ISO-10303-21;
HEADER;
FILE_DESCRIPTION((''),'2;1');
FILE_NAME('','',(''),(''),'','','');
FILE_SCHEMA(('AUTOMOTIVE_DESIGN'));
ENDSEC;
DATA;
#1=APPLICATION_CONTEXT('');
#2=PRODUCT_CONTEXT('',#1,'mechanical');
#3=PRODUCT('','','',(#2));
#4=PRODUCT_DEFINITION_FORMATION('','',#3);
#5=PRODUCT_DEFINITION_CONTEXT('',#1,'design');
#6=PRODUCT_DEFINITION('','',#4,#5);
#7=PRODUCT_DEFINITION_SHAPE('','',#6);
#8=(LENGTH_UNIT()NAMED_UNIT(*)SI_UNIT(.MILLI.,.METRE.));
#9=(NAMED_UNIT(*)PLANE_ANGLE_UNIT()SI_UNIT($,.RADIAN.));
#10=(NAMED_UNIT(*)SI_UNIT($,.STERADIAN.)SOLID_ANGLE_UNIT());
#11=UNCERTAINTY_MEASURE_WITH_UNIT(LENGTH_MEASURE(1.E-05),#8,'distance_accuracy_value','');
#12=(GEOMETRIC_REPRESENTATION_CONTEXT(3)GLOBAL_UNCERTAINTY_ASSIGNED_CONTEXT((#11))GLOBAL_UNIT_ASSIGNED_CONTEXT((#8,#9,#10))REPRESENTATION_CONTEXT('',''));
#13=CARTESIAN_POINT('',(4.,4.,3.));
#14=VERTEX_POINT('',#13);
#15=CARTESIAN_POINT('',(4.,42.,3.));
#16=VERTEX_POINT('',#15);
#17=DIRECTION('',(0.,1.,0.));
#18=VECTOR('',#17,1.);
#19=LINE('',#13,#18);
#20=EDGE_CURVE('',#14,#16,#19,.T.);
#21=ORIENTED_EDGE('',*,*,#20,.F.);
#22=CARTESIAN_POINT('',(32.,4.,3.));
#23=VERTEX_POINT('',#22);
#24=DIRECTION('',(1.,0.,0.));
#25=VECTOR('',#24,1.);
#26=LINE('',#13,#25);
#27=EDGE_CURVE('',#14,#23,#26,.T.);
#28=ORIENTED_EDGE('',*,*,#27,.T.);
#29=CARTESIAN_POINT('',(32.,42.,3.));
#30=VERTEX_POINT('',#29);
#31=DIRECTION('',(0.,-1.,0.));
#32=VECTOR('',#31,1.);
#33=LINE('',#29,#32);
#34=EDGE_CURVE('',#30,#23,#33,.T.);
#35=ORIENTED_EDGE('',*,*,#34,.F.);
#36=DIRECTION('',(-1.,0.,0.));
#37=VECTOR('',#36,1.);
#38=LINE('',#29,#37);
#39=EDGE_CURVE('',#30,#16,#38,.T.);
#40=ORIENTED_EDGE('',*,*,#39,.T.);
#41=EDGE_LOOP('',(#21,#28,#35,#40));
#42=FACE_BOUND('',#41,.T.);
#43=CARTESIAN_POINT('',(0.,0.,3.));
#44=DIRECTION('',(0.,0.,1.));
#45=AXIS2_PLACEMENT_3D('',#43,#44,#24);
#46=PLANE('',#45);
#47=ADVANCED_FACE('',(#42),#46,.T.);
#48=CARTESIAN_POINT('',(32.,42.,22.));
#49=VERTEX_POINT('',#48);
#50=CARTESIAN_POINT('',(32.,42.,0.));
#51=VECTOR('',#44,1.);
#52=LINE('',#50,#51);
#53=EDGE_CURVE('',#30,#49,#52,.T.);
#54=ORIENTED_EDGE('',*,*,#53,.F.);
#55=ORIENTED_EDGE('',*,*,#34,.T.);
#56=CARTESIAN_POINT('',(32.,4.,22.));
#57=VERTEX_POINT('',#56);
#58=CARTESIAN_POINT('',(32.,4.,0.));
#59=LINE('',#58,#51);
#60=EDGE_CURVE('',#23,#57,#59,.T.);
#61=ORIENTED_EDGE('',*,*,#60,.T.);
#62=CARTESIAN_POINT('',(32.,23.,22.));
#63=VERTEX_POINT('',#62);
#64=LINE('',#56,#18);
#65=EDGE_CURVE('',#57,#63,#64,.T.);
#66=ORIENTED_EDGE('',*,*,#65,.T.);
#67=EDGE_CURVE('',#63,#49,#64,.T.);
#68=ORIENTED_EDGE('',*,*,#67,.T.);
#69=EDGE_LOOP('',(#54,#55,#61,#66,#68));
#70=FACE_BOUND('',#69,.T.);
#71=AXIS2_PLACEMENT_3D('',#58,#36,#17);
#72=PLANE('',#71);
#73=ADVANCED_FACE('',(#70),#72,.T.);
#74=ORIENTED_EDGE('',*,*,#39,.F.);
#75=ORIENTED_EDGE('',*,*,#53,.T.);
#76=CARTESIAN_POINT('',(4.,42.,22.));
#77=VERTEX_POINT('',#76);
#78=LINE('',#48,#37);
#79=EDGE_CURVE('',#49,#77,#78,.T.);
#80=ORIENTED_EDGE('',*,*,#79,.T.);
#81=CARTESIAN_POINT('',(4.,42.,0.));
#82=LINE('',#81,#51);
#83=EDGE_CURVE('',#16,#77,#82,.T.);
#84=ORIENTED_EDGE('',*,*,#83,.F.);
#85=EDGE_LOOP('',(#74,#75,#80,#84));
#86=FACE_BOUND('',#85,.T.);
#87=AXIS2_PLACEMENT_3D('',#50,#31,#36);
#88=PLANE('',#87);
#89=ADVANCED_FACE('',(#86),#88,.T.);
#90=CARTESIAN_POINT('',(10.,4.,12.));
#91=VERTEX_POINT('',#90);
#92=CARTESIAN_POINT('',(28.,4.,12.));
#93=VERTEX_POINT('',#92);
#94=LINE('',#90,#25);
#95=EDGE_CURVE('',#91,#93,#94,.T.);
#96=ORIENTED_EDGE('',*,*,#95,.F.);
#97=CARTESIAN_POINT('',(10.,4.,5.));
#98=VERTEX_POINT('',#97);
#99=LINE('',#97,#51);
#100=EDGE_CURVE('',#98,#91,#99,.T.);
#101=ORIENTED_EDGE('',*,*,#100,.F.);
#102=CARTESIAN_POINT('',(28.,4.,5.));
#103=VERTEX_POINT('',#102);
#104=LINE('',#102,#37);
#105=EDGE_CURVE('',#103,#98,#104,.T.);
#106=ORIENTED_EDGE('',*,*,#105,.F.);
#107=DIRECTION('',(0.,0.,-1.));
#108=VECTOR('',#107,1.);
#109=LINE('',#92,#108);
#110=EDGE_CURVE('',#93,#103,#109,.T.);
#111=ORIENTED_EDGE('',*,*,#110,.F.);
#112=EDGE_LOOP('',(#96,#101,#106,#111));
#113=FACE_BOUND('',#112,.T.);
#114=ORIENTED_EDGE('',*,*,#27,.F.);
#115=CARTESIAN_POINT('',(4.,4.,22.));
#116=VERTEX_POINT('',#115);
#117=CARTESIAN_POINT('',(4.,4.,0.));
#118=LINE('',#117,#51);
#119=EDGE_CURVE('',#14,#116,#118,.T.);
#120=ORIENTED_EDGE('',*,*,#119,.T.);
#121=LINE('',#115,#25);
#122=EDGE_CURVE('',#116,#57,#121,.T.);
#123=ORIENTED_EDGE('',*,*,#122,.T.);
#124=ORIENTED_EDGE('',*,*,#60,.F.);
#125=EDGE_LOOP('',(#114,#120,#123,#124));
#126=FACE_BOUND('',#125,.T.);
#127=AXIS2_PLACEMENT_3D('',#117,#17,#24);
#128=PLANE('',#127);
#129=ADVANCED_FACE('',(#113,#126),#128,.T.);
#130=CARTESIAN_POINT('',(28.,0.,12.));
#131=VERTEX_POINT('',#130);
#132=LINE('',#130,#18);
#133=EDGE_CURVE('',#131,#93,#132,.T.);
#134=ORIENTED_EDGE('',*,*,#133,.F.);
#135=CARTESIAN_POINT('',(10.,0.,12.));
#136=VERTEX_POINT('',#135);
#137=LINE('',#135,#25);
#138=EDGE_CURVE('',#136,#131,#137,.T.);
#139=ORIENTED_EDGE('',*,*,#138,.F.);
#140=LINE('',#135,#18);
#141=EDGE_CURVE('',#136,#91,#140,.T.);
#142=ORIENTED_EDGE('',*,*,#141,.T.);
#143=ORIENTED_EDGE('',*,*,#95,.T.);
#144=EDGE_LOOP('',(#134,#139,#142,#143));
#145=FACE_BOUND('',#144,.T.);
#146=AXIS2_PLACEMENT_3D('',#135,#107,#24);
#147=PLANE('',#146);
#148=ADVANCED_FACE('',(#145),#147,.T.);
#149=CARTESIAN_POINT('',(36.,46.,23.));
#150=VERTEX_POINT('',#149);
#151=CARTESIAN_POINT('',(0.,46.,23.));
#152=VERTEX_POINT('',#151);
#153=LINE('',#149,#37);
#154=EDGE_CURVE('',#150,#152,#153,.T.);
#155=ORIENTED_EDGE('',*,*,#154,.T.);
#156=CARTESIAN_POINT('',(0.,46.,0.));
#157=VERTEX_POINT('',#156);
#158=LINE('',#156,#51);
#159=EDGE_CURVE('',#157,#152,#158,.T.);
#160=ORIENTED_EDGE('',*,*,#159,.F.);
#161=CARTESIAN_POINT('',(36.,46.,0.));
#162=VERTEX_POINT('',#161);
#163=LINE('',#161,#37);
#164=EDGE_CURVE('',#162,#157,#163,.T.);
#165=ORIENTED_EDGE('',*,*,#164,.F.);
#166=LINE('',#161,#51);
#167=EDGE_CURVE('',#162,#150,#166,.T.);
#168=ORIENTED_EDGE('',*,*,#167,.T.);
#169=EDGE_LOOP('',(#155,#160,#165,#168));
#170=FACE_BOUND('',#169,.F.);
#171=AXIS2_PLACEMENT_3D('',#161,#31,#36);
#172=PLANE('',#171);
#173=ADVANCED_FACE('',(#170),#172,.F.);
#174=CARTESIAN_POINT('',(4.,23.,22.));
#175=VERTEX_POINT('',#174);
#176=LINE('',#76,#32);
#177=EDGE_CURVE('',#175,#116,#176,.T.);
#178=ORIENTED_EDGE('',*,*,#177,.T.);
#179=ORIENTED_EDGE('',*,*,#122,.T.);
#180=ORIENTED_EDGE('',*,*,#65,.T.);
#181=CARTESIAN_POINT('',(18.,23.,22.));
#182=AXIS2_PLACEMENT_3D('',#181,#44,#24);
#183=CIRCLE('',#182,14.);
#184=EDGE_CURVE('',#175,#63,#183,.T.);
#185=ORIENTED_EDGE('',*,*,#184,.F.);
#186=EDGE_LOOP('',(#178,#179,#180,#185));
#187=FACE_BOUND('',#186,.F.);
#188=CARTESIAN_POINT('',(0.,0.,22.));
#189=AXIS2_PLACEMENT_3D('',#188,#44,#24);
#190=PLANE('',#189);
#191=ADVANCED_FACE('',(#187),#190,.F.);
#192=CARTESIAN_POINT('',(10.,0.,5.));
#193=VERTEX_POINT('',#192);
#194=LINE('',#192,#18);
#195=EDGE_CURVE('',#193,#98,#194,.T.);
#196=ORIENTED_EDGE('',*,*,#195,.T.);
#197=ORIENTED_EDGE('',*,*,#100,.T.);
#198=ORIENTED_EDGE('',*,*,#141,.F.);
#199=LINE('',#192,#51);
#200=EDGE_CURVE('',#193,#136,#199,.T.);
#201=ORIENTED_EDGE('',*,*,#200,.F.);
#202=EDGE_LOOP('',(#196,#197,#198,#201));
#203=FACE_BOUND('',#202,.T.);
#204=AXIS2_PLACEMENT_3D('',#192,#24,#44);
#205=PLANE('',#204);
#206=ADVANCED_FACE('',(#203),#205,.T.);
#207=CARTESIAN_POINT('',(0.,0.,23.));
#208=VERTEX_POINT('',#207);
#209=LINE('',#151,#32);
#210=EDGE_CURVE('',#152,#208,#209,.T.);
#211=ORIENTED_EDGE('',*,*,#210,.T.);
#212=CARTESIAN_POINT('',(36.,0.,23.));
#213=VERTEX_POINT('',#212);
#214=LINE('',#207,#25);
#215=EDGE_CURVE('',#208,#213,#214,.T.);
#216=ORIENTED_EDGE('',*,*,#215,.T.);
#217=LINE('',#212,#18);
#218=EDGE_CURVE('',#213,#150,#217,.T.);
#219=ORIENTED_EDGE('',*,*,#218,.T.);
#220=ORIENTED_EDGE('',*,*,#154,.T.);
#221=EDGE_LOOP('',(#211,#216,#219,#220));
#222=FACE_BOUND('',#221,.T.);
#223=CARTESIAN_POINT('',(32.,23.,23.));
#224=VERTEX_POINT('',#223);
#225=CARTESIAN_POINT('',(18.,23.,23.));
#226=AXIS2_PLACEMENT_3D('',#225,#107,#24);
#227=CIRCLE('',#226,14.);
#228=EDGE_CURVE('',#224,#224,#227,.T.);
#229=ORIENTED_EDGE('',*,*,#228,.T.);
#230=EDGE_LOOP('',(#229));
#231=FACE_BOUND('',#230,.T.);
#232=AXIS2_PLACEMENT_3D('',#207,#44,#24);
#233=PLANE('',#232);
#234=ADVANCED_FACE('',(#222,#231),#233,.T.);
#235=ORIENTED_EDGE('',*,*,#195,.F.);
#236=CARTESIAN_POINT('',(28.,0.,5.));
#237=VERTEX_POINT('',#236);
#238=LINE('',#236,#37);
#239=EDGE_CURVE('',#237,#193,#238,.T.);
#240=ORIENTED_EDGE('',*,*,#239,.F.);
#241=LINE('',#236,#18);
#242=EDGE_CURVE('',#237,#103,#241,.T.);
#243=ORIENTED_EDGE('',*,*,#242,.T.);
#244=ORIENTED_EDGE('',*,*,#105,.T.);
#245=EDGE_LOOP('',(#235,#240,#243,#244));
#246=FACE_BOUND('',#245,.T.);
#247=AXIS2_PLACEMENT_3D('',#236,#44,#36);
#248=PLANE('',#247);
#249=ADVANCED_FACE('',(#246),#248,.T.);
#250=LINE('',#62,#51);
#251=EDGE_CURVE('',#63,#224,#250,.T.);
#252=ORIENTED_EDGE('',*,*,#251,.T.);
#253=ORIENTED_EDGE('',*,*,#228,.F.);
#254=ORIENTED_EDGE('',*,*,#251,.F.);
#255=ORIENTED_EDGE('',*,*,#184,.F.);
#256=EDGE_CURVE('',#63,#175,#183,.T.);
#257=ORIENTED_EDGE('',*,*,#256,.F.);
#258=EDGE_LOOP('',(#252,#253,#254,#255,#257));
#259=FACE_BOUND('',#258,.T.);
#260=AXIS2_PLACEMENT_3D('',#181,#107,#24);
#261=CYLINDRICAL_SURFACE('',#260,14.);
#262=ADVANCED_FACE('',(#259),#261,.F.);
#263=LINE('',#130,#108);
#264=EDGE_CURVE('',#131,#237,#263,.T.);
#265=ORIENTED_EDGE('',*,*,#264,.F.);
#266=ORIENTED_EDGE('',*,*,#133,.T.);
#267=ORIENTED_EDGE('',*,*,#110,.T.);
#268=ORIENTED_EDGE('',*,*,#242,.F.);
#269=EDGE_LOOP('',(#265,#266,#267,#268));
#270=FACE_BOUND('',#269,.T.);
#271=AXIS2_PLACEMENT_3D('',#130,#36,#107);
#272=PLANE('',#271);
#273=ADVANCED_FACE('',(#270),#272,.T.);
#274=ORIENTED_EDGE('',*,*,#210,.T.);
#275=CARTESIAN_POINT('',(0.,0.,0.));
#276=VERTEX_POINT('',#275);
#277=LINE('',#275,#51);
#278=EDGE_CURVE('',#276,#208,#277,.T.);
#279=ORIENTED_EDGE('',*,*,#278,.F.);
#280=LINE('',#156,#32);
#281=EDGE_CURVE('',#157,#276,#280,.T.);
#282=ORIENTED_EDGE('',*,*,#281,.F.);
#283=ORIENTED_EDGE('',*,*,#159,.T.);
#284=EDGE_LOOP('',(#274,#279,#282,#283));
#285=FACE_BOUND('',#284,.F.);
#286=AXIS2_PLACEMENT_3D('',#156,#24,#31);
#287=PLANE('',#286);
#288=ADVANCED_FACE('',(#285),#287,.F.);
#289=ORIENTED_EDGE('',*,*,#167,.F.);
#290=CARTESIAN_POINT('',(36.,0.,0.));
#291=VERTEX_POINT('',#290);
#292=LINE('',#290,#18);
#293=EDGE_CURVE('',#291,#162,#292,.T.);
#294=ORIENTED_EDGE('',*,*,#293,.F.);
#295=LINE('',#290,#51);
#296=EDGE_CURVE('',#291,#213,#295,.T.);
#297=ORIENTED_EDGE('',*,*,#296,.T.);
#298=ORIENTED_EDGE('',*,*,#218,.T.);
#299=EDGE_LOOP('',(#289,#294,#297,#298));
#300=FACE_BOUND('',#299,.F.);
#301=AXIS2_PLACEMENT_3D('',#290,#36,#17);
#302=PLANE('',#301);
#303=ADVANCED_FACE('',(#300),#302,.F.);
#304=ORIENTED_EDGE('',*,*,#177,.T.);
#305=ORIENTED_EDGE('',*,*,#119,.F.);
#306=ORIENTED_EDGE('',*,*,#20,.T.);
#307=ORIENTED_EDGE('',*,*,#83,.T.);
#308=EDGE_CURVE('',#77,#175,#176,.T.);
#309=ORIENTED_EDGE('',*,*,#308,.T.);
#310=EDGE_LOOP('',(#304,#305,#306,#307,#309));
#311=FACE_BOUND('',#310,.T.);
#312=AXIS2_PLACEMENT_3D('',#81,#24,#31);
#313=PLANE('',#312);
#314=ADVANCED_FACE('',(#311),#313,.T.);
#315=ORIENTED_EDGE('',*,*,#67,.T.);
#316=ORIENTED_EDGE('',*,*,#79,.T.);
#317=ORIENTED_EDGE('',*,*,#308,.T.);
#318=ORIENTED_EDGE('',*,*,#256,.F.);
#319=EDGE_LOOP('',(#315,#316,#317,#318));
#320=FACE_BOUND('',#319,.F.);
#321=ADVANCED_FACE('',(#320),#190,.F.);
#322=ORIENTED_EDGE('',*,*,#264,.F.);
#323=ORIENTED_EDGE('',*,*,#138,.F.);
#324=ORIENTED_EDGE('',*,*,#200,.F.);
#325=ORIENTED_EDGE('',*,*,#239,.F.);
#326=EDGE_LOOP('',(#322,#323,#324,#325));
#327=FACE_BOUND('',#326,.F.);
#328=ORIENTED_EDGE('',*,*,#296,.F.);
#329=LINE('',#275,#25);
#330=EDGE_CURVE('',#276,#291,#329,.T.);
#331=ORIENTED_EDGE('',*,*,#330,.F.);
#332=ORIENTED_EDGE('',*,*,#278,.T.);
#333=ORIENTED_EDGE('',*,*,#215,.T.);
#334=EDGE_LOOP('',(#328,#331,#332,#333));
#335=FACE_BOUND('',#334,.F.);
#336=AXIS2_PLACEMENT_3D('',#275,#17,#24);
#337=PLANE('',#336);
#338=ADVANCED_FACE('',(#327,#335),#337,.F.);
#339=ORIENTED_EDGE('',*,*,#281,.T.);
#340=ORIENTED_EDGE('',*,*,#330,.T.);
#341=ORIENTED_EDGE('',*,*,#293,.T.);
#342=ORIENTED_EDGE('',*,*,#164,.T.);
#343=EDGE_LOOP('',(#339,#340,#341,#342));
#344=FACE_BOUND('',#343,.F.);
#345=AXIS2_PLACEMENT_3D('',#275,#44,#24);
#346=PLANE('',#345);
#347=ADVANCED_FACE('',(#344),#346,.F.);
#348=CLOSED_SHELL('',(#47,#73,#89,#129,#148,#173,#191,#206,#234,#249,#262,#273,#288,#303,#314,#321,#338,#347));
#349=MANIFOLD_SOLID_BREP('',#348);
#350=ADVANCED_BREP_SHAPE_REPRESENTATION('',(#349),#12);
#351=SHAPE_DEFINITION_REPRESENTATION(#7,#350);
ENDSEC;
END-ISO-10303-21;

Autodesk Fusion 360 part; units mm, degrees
sketch "Sketch1" plane through (0, 0, 0) normal (0, 0, 1) x (1, 0, 0)
  line L0 (4, 4) -> (32, 4)
  line L1 (32, 4) -> (32, 42)
  line L2 (32, 42) -> (4, 42)
  line L3 (4, 42) -> (4, 4)
  line L4 (0, 0) -> (36, 0)
  line L5 (36, 0) -> (36, 46)
  line L6 (36, 46) -> (0, 46)
  line L7 (0, 46) -> (0, 0)
  circle A0 centre (18, 23) radius 14
  dimension "d1" = 28
  dimension "d2" = 38
  dimension "d3" = 36
  dimension "d4" = 46
  dimension "d5" = 4
  dimension "d6" = 4
extrude "Extrude1" add sketch "Sketch1" along normal blind 23
extrude "Extrude2" add sketch "Sketch1" along normal blind 3 contours L0 L1 L3 A0 | L1 L2 L3 A0 | A0
extrude "Extrude3" add sketch "Sketch1" along normal blind 1 from surface at 22 contours L0 L1 L3 A0 | L1 L2 L3 A0
sketch "Sketch2" plane through (0, 0, 0) normal (0, -1, 0) x (1, 0, 0)
  line L0 (0, 0) -> (36, 0)
  line L1 (36, 0) -> (36, 23)
  line L2 (36, 23) -> (0, 23)
  line L3 (0, 23) -> (0, 0)
  line L4 (10, 12) -> (28, 12)
  line L5 (28, 12) -> (28, 5)
  line L6 (28, 5) -> (10, 5)
  line L7 (10, 5) -> (10, 12)
  line L8 (0, 0) -> (36, 0)
  dimension "d14" = 18
  dimension "d15" = 7
  dimension "d16" = 5
extrude "Extrude4" cut sketch "Sketch2" against normal blind 4 contours L4 L5 L6 L7
